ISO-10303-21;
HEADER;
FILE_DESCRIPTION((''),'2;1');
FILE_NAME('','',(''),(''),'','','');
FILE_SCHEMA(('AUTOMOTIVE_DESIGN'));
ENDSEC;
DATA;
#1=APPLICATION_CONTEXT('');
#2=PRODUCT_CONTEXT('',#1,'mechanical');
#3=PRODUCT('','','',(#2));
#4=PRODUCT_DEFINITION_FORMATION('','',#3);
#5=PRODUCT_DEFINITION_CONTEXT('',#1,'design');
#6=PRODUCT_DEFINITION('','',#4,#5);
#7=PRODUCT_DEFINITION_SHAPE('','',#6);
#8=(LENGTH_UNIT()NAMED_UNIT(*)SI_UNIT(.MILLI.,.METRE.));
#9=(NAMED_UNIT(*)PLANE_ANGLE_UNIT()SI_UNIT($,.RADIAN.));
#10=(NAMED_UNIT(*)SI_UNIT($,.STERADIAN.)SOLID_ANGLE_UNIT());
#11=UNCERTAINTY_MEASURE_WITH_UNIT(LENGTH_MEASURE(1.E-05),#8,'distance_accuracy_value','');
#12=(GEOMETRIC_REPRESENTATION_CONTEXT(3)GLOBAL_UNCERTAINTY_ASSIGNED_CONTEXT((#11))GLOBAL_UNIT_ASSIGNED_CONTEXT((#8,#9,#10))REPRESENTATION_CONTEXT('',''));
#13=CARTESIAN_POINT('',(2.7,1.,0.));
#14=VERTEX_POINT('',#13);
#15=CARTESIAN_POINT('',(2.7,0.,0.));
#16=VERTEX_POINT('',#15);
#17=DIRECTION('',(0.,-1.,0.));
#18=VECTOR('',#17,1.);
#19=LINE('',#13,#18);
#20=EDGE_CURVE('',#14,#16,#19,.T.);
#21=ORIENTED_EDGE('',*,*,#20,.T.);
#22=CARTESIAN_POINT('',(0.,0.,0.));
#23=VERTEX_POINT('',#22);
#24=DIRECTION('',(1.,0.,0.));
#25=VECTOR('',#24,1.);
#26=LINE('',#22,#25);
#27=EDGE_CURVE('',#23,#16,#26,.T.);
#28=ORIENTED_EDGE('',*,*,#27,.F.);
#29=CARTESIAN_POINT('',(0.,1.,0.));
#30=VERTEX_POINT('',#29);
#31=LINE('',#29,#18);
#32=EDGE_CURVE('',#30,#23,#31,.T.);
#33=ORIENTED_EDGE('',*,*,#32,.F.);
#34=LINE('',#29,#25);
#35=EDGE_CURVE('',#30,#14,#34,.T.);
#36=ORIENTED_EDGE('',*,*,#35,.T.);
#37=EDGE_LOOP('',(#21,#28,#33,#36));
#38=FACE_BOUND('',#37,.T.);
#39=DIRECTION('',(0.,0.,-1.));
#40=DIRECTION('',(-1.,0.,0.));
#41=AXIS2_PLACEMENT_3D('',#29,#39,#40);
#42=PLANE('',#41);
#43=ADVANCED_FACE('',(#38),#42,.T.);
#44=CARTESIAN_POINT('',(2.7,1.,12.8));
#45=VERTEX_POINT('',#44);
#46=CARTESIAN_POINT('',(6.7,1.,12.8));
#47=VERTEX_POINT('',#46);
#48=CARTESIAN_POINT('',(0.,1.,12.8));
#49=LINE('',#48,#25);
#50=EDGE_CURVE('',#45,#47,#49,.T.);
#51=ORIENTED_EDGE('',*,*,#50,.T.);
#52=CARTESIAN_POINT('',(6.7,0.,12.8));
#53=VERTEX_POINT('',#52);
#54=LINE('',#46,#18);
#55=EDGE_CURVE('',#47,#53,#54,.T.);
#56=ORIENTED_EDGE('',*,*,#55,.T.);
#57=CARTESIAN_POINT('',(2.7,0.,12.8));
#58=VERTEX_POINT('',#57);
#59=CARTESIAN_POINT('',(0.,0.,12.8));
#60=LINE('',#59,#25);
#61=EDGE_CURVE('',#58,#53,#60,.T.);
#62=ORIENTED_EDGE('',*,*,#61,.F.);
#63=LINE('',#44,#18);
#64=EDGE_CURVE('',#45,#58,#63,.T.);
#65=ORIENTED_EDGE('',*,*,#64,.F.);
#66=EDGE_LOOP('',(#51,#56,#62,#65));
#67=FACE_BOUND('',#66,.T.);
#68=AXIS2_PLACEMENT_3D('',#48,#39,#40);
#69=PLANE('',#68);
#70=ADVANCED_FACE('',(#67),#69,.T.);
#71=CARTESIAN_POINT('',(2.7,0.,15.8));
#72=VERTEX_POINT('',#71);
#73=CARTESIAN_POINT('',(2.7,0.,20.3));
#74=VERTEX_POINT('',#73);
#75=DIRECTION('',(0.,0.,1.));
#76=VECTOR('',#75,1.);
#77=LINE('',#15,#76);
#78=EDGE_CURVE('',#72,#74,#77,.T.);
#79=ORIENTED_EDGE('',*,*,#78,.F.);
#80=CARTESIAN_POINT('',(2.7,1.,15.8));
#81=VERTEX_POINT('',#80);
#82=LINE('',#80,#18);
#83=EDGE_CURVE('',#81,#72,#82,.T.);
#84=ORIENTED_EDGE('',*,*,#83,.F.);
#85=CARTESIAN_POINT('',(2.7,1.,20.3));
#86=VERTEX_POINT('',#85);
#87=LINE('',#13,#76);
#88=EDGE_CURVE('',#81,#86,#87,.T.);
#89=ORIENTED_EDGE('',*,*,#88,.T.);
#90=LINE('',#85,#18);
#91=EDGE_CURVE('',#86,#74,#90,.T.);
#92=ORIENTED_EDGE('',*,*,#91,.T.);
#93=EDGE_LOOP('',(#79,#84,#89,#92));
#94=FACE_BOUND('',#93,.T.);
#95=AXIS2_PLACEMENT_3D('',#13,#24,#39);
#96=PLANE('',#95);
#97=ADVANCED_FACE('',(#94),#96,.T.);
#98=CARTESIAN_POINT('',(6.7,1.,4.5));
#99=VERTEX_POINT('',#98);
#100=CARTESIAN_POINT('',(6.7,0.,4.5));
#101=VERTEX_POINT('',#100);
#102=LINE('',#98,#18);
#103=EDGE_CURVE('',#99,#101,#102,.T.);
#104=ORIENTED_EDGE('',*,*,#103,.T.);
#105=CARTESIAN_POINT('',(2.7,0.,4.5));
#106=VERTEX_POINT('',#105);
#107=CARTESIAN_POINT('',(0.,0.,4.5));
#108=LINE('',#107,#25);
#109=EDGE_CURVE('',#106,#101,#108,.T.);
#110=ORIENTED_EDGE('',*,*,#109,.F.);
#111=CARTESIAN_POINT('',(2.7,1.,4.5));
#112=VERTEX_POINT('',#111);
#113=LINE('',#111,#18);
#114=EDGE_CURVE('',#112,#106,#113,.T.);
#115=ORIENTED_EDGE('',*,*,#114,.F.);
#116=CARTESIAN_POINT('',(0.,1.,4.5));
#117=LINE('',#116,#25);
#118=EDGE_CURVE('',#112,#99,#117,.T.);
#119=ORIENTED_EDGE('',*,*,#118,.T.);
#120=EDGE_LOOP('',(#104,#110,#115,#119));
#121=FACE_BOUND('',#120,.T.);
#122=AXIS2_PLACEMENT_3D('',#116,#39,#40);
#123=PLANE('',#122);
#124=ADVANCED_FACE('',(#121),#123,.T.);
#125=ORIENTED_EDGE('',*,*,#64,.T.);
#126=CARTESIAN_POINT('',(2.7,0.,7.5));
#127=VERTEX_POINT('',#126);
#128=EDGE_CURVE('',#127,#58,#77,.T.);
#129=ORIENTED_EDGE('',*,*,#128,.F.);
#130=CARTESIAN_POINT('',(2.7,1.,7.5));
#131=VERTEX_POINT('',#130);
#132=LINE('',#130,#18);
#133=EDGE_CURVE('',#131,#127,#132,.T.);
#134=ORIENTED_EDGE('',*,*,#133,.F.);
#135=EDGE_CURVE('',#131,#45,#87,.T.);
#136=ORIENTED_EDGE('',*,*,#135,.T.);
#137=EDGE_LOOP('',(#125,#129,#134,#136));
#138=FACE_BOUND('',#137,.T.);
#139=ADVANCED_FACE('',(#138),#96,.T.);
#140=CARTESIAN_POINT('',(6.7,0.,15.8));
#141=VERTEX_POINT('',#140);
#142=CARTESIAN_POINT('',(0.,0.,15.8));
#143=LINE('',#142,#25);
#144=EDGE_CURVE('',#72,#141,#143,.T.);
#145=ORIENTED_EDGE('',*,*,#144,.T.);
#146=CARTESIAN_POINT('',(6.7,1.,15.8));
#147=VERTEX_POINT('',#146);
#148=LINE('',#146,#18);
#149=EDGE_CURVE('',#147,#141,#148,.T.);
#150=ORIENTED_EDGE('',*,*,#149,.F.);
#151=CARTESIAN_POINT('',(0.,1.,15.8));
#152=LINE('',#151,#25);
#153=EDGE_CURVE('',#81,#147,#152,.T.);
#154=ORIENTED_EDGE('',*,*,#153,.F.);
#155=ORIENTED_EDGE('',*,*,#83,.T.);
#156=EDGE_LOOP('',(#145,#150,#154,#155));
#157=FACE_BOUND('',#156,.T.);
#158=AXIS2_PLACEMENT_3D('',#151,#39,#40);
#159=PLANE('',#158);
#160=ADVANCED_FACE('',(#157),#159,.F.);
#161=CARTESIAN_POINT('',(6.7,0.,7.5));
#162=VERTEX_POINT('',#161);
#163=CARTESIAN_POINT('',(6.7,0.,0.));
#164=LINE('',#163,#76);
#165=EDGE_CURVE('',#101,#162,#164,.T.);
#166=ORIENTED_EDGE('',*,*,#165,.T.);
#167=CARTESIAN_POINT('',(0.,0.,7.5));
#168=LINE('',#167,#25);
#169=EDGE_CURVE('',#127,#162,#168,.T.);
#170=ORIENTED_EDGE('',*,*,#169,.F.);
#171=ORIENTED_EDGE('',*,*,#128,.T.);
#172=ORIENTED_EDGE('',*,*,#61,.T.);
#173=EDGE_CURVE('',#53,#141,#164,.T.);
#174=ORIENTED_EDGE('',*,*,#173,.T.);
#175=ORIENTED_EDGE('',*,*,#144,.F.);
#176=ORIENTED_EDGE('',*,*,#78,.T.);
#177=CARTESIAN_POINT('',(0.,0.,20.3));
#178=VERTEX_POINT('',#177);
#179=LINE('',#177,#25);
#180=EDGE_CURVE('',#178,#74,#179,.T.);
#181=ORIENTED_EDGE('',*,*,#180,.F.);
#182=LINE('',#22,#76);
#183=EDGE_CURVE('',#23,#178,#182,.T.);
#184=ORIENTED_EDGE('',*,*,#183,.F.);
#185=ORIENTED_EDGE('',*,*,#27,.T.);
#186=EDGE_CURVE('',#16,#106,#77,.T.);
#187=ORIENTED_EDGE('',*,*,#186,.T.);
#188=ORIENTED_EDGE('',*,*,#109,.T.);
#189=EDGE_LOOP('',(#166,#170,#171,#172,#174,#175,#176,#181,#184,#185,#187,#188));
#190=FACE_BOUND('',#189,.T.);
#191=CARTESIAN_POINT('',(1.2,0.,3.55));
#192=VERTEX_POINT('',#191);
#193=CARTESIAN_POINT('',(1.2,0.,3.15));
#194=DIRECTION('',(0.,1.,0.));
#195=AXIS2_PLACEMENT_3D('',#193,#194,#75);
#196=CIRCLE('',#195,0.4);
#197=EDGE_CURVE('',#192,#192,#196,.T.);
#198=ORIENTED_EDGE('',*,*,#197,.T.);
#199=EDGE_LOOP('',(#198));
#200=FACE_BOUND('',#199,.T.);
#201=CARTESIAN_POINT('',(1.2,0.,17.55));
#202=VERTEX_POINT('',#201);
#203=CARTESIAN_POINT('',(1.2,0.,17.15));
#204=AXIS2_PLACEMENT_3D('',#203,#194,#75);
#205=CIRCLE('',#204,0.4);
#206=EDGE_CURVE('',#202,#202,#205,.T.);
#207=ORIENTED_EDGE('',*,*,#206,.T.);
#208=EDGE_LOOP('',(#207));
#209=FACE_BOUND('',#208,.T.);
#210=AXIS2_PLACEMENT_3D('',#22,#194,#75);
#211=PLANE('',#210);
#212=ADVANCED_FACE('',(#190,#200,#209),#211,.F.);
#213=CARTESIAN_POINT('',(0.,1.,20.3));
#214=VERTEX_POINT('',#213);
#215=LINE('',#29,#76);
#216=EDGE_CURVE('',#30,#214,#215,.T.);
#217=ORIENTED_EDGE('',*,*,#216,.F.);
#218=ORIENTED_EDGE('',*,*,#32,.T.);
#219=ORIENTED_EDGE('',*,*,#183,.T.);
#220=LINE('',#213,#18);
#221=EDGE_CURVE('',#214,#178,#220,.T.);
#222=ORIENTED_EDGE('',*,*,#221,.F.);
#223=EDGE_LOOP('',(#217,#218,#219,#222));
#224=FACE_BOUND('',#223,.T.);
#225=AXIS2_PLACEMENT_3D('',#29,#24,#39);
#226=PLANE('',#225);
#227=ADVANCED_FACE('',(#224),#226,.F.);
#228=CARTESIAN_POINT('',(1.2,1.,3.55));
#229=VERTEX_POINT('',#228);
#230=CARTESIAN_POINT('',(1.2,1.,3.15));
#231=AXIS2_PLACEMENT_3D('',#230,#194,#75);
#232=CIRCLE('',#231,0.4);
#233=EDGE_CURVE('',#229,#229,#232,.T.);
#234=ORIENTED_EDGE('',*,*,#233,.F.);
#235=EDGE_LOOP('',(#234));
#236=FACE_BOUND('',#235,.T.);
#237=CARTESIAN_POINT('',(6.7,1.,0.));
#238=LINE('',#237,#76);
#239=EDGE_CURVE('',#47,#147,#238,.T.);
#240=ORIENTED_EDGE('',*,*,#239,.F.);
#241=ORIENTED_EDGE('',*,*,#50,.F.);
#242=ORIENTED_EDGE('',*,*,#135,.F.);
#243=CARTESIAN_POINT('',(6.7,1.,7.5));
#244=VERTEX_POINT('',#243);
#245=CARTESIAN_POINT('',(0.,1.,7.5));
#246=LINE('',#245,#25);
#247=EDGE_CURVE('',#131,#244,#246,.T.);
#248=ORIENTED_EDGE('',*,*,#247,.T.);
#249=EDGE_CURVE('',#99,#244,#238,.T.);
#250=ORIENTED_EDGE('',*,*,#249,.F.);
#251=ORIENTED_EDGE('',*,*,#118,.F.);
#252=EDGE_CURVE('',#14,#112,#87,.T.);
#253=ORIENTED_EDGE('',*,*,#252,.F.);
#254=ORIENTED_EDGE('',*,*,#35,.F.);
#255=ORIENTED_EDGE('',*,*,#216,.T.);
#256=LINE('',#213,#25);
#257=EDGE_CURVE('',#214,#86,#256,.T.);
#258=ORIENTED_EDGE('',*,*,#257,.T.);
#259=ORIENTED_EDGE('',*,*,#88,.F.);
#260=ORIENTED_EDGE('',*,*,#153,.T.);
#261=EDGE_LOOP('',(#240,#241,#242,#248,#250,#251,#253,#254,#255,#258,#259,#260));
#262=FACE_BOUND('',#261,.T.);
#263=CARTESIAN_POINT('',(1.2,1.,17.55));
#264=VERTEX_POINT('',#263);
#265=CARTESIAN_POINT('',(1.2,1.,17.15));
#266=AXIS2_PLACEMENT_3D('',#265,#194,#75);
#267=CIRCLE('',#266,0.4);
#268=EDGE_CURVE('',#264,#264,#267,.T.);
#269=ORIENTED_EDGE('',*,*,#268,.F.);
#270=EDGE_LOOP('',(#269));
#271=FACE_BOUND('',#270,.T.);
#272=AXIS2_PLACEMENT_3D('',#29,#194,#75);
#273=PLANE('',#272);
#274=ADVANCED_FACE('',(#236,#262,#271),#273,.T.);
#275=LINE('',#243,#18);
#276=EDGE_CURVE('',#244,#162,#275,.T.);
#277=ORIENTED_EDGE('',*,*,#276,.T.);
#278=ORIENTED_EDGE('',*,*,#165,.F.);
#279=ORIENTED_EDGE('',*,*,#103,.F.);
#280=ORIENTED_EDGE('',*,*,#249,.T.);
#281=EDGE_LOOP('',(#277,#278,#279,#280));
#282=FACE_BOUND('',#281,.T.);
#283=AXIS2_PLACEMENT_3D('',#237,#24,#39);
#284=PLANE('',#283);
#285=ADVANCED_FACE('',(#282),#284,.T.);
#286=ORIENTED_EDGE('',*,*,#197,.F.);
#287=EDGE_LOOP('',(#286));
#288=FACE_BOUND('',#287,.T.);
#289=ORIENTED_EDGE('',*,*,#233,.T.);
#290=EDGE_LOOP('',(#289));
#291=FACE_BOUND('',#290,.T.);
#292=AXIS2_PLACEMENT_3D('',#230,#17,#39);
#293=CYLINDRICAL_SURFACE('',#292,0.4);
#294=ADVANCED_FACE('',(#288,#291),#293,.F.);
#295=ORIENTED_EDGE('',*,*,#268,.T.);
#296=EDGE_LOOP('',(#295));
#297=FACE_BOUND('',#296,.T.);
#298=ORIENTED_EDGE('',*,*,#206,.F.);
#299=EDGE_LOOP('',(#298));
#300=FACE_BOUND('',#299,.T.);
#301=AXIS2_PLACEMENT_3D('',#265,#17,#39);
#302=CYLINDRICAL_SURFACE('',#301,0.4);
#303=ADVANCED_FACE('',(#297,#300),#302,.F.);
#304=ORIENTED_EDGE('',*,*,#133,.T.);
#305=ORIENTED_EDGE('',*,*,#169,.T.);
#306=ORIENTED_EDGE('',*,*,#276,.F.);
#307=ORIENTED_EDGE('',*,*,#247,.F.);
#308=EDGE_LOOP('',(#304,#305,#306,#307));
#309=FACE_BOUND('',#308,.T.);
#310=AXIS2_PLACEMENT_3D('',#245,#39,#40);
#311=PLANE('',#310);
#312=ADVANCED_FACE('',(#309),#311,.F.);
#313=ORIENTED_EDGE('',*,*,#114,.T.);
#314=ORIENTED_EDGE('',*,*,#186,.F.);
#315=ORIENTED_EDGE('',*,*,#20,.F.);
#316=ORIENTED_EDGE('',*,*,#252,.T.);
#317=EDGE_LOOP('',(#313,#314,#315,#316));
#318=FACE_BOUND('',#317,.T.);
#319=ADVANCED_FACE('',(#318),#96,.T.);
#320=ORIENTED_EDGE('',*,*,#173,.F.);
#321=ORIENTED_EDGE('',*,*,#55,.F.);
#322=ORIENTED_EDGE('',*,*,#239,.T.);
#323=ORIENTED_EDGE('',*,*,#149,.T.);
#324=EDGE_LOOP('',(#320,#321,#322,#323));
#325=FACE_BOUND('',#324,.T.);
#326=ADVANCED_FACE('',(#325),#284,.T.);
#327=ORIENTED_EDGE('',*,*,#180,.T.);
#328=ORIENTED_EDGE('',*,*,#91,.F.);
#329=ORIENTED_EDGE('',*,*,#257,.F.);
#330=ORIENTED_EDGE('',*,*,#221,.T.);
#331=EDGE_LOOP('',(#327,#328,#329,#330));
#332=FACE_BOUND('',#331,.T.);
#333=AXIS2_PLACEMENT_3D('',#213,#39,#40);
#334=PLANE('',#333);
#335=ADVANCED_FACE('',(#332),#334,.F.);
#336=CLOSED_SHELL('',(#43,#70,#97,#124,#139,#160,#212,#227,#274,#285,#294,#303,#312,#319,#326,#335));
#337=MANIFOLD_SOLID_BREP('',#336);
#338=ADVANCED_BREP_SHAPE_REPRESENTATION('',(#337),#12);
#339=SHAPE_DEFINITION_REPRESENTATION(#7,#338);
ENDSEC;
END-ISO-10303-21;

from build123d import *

# Parameters (mm, degrees)
SKETCH_1_R      = 0.4
EXTRUDE_1_DEPTH = 1


with BuildPart() as part:
    # Эскиз1 → Бобышка-Вытянуть1 (new body)
    with BuildSketch(Plane(origin=(0, 0, 0), x_dir=(1, 0, 0), z_dir=(0, 1, 0))):
        Polygon((2.7, 0), (0, 0), (0, -20.3), (2.7, -20.3), (2.7, -15.8), (6.7, -15.8), (6.7, -12.8), (2.7, -12.8), (2.7, -7.5), (6.7, -7.5), (6.7, -4.5), (2.7, -4.5), align=None)
        with Locations((1.2, -17.15)):
            Circle(SKETCH_1_R, mode=Mode.SUBTRACT)
        with Locations((1.2, -3.15)):
            Circle(SKETCH_1_R, mode=Mode.SUBTRACT)
    extrude(amount=EXTRUDE_1_DEPTH)


solid = part.part
